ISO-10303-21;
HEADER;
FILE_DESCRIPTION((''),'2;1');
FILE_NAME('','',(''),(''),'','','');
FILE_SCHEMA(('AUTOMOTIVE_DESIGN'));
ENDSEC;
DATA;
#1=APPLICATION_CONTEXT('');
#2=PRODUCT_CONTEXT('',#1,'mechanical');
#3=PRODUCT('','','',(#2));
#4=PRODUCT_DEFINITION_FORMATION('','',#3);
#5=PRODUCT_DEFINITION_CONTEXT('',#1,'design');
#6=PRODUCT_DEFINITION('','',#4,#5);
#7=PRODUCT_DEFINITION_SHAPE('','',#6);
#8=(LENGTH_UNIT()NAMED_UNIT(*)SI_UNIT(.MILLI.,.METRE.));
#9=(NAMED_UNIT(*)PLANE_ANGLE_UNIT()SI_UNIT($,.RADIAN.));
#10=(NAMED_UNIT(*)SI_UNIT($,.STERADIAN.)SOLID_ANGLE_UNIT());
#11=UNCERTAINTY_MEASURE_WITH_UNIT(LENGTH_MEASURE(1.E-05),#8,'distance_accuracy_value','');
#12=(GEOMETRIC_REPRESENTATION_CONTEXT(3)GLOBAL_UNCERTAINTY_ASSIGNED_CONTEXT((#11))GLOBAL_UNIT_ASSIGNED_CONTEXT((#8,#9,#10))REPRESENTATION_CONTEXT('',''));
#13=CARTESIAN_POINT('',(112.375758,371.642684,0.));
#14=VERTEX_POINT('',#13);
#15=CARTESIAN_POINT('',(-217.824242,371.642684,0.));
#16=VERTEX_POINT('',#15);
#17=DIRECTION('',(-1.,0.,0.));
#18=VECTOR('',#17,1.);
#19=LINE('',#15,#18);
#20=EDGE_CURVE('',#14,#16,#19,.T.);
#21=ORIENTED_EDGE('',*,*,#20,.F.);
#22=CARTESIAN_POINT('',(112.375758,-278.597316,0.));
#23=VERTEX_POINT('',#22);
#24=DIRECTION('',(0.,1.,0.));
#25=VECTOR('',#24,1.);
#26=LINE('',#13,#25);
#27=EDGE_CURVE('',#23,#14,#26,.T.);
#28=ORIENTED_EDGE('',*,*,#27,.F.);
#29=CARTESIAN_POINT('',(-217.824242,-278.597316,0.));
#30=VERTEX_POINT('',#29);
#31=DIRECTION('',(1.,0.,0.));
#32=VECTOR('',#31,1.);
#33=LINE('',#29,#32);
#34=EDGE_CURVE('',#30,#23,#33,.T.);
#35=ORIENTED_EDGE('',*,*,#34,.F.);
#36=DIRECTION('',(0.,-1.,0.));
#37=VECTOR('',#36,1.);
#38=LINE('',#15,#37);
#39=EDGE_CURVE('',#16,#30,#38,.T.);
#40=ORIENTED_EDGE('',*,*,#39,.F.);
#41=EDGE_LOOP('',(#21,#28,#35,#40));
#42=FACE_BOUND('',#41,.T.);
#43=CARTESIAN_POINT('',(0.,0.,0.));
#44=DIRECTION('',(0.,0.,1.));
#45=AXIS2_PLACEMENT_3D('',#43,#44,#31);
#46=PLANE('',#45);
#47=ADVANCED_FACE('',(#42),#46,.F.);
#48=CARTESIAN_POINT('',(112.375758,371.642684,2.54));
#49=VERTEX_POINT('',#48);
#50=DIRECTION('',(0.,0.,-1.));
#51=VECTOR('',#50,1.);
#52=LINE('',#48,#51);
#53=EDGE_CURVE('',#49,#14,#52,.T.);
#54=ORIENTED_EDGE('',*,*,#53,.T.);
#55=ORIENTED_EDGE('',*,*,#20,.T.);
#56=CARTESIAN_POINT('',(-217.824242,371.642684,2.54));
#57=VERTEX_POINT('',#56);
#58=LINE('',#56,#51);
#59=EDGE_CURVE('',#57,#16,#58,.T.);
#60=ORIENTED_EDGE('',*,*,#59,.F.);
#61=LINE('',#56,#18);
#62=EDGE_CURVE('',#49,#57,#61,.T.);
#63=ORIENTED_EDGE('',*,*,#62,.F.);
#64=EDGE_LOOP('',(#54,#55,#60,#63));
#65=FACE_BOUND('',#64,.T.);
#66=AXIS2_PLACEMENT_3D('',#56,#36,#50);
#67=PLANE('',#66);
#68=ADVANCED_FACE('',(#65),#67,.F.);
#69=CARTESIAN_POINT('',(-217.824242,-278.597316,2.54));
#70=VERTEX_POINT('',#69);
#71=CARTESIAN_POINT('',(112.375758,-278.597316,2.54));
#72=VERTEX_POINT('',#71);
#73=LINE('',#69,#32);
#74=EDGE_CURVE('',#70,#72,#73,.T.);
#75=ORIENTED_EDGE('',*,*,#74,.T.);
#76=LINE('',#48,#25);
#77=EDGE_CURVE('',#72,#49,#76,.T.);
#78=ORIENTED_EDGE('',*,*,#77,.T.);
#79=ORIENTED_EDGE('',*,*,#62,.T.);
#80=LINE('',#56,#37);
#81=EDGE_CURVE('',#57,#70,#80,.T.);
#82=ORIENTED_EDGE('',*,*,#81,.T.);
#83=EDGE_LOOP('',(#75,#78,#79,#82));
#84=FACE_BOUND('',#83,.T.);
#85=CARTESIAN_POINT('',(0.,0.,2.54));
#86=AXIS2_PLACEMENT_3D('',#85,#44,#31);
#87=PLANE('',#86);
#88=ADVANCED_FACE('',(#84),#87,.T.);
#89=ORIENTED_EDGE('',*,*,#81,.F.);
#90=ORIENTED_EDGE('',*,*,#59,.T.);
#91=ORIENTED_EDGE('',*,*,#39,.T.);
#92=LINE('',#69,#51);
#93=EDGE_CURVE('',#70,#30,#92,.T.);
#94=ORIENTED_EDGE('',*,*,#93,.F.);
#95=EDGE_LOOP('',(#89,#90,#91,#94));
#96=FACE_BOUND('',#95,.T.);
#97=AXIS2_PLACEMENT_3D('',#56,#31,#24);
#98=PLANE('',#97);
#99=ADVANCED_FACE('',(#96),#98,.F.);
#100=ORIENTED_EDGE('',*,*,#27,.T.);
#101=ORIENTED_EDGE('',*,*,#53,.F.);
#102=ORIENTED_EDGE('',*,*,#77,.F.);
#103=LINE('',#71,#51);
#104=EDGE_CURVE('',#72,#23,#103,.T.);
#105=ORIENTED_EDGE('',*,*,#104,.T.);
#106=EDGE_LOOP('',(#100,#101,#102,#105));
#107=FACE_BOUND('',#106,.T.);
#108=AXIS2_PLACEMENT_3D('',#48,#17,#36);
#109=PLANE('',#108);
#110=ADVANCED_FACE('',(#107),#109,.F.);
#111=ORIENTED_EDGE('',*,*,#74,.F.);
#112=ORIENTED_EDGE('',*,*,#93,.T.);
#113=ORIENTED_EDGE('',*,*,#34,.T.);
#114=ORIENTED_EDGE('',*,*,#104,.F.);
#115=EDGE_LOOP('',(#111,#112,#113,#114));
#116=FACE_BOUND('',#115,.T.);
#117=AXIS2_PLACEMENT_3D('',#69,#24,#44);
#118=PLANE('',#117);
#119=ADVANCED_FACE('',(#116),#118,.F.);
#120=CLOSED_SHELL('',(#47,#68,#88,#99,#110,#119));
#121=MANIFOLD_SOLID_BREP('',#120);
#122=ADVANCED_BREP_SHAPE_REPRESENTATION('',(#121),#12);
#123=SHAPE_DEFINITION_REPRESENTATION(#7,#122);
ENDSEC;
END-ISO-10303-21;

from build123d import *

# Parameters (mm, degrees)
SKETCH1_W           = 330.2
SKETCH1_H           = 650.24
BOSS_EXTRUDE1_DEPTH = 2.54


with BuildPart() as part:
    # Sketch1 → Boss-Extrude1 (new body)
    with BuildSketch(Plane.XY):
        with Locations((-52.724242424, 46.522683983)):
            Rectangle(SKETCH1_W, SKETCH1_H)
    extrude(amount=BOSS_EXTRUDE1_DEPTH)


solid = part.part
